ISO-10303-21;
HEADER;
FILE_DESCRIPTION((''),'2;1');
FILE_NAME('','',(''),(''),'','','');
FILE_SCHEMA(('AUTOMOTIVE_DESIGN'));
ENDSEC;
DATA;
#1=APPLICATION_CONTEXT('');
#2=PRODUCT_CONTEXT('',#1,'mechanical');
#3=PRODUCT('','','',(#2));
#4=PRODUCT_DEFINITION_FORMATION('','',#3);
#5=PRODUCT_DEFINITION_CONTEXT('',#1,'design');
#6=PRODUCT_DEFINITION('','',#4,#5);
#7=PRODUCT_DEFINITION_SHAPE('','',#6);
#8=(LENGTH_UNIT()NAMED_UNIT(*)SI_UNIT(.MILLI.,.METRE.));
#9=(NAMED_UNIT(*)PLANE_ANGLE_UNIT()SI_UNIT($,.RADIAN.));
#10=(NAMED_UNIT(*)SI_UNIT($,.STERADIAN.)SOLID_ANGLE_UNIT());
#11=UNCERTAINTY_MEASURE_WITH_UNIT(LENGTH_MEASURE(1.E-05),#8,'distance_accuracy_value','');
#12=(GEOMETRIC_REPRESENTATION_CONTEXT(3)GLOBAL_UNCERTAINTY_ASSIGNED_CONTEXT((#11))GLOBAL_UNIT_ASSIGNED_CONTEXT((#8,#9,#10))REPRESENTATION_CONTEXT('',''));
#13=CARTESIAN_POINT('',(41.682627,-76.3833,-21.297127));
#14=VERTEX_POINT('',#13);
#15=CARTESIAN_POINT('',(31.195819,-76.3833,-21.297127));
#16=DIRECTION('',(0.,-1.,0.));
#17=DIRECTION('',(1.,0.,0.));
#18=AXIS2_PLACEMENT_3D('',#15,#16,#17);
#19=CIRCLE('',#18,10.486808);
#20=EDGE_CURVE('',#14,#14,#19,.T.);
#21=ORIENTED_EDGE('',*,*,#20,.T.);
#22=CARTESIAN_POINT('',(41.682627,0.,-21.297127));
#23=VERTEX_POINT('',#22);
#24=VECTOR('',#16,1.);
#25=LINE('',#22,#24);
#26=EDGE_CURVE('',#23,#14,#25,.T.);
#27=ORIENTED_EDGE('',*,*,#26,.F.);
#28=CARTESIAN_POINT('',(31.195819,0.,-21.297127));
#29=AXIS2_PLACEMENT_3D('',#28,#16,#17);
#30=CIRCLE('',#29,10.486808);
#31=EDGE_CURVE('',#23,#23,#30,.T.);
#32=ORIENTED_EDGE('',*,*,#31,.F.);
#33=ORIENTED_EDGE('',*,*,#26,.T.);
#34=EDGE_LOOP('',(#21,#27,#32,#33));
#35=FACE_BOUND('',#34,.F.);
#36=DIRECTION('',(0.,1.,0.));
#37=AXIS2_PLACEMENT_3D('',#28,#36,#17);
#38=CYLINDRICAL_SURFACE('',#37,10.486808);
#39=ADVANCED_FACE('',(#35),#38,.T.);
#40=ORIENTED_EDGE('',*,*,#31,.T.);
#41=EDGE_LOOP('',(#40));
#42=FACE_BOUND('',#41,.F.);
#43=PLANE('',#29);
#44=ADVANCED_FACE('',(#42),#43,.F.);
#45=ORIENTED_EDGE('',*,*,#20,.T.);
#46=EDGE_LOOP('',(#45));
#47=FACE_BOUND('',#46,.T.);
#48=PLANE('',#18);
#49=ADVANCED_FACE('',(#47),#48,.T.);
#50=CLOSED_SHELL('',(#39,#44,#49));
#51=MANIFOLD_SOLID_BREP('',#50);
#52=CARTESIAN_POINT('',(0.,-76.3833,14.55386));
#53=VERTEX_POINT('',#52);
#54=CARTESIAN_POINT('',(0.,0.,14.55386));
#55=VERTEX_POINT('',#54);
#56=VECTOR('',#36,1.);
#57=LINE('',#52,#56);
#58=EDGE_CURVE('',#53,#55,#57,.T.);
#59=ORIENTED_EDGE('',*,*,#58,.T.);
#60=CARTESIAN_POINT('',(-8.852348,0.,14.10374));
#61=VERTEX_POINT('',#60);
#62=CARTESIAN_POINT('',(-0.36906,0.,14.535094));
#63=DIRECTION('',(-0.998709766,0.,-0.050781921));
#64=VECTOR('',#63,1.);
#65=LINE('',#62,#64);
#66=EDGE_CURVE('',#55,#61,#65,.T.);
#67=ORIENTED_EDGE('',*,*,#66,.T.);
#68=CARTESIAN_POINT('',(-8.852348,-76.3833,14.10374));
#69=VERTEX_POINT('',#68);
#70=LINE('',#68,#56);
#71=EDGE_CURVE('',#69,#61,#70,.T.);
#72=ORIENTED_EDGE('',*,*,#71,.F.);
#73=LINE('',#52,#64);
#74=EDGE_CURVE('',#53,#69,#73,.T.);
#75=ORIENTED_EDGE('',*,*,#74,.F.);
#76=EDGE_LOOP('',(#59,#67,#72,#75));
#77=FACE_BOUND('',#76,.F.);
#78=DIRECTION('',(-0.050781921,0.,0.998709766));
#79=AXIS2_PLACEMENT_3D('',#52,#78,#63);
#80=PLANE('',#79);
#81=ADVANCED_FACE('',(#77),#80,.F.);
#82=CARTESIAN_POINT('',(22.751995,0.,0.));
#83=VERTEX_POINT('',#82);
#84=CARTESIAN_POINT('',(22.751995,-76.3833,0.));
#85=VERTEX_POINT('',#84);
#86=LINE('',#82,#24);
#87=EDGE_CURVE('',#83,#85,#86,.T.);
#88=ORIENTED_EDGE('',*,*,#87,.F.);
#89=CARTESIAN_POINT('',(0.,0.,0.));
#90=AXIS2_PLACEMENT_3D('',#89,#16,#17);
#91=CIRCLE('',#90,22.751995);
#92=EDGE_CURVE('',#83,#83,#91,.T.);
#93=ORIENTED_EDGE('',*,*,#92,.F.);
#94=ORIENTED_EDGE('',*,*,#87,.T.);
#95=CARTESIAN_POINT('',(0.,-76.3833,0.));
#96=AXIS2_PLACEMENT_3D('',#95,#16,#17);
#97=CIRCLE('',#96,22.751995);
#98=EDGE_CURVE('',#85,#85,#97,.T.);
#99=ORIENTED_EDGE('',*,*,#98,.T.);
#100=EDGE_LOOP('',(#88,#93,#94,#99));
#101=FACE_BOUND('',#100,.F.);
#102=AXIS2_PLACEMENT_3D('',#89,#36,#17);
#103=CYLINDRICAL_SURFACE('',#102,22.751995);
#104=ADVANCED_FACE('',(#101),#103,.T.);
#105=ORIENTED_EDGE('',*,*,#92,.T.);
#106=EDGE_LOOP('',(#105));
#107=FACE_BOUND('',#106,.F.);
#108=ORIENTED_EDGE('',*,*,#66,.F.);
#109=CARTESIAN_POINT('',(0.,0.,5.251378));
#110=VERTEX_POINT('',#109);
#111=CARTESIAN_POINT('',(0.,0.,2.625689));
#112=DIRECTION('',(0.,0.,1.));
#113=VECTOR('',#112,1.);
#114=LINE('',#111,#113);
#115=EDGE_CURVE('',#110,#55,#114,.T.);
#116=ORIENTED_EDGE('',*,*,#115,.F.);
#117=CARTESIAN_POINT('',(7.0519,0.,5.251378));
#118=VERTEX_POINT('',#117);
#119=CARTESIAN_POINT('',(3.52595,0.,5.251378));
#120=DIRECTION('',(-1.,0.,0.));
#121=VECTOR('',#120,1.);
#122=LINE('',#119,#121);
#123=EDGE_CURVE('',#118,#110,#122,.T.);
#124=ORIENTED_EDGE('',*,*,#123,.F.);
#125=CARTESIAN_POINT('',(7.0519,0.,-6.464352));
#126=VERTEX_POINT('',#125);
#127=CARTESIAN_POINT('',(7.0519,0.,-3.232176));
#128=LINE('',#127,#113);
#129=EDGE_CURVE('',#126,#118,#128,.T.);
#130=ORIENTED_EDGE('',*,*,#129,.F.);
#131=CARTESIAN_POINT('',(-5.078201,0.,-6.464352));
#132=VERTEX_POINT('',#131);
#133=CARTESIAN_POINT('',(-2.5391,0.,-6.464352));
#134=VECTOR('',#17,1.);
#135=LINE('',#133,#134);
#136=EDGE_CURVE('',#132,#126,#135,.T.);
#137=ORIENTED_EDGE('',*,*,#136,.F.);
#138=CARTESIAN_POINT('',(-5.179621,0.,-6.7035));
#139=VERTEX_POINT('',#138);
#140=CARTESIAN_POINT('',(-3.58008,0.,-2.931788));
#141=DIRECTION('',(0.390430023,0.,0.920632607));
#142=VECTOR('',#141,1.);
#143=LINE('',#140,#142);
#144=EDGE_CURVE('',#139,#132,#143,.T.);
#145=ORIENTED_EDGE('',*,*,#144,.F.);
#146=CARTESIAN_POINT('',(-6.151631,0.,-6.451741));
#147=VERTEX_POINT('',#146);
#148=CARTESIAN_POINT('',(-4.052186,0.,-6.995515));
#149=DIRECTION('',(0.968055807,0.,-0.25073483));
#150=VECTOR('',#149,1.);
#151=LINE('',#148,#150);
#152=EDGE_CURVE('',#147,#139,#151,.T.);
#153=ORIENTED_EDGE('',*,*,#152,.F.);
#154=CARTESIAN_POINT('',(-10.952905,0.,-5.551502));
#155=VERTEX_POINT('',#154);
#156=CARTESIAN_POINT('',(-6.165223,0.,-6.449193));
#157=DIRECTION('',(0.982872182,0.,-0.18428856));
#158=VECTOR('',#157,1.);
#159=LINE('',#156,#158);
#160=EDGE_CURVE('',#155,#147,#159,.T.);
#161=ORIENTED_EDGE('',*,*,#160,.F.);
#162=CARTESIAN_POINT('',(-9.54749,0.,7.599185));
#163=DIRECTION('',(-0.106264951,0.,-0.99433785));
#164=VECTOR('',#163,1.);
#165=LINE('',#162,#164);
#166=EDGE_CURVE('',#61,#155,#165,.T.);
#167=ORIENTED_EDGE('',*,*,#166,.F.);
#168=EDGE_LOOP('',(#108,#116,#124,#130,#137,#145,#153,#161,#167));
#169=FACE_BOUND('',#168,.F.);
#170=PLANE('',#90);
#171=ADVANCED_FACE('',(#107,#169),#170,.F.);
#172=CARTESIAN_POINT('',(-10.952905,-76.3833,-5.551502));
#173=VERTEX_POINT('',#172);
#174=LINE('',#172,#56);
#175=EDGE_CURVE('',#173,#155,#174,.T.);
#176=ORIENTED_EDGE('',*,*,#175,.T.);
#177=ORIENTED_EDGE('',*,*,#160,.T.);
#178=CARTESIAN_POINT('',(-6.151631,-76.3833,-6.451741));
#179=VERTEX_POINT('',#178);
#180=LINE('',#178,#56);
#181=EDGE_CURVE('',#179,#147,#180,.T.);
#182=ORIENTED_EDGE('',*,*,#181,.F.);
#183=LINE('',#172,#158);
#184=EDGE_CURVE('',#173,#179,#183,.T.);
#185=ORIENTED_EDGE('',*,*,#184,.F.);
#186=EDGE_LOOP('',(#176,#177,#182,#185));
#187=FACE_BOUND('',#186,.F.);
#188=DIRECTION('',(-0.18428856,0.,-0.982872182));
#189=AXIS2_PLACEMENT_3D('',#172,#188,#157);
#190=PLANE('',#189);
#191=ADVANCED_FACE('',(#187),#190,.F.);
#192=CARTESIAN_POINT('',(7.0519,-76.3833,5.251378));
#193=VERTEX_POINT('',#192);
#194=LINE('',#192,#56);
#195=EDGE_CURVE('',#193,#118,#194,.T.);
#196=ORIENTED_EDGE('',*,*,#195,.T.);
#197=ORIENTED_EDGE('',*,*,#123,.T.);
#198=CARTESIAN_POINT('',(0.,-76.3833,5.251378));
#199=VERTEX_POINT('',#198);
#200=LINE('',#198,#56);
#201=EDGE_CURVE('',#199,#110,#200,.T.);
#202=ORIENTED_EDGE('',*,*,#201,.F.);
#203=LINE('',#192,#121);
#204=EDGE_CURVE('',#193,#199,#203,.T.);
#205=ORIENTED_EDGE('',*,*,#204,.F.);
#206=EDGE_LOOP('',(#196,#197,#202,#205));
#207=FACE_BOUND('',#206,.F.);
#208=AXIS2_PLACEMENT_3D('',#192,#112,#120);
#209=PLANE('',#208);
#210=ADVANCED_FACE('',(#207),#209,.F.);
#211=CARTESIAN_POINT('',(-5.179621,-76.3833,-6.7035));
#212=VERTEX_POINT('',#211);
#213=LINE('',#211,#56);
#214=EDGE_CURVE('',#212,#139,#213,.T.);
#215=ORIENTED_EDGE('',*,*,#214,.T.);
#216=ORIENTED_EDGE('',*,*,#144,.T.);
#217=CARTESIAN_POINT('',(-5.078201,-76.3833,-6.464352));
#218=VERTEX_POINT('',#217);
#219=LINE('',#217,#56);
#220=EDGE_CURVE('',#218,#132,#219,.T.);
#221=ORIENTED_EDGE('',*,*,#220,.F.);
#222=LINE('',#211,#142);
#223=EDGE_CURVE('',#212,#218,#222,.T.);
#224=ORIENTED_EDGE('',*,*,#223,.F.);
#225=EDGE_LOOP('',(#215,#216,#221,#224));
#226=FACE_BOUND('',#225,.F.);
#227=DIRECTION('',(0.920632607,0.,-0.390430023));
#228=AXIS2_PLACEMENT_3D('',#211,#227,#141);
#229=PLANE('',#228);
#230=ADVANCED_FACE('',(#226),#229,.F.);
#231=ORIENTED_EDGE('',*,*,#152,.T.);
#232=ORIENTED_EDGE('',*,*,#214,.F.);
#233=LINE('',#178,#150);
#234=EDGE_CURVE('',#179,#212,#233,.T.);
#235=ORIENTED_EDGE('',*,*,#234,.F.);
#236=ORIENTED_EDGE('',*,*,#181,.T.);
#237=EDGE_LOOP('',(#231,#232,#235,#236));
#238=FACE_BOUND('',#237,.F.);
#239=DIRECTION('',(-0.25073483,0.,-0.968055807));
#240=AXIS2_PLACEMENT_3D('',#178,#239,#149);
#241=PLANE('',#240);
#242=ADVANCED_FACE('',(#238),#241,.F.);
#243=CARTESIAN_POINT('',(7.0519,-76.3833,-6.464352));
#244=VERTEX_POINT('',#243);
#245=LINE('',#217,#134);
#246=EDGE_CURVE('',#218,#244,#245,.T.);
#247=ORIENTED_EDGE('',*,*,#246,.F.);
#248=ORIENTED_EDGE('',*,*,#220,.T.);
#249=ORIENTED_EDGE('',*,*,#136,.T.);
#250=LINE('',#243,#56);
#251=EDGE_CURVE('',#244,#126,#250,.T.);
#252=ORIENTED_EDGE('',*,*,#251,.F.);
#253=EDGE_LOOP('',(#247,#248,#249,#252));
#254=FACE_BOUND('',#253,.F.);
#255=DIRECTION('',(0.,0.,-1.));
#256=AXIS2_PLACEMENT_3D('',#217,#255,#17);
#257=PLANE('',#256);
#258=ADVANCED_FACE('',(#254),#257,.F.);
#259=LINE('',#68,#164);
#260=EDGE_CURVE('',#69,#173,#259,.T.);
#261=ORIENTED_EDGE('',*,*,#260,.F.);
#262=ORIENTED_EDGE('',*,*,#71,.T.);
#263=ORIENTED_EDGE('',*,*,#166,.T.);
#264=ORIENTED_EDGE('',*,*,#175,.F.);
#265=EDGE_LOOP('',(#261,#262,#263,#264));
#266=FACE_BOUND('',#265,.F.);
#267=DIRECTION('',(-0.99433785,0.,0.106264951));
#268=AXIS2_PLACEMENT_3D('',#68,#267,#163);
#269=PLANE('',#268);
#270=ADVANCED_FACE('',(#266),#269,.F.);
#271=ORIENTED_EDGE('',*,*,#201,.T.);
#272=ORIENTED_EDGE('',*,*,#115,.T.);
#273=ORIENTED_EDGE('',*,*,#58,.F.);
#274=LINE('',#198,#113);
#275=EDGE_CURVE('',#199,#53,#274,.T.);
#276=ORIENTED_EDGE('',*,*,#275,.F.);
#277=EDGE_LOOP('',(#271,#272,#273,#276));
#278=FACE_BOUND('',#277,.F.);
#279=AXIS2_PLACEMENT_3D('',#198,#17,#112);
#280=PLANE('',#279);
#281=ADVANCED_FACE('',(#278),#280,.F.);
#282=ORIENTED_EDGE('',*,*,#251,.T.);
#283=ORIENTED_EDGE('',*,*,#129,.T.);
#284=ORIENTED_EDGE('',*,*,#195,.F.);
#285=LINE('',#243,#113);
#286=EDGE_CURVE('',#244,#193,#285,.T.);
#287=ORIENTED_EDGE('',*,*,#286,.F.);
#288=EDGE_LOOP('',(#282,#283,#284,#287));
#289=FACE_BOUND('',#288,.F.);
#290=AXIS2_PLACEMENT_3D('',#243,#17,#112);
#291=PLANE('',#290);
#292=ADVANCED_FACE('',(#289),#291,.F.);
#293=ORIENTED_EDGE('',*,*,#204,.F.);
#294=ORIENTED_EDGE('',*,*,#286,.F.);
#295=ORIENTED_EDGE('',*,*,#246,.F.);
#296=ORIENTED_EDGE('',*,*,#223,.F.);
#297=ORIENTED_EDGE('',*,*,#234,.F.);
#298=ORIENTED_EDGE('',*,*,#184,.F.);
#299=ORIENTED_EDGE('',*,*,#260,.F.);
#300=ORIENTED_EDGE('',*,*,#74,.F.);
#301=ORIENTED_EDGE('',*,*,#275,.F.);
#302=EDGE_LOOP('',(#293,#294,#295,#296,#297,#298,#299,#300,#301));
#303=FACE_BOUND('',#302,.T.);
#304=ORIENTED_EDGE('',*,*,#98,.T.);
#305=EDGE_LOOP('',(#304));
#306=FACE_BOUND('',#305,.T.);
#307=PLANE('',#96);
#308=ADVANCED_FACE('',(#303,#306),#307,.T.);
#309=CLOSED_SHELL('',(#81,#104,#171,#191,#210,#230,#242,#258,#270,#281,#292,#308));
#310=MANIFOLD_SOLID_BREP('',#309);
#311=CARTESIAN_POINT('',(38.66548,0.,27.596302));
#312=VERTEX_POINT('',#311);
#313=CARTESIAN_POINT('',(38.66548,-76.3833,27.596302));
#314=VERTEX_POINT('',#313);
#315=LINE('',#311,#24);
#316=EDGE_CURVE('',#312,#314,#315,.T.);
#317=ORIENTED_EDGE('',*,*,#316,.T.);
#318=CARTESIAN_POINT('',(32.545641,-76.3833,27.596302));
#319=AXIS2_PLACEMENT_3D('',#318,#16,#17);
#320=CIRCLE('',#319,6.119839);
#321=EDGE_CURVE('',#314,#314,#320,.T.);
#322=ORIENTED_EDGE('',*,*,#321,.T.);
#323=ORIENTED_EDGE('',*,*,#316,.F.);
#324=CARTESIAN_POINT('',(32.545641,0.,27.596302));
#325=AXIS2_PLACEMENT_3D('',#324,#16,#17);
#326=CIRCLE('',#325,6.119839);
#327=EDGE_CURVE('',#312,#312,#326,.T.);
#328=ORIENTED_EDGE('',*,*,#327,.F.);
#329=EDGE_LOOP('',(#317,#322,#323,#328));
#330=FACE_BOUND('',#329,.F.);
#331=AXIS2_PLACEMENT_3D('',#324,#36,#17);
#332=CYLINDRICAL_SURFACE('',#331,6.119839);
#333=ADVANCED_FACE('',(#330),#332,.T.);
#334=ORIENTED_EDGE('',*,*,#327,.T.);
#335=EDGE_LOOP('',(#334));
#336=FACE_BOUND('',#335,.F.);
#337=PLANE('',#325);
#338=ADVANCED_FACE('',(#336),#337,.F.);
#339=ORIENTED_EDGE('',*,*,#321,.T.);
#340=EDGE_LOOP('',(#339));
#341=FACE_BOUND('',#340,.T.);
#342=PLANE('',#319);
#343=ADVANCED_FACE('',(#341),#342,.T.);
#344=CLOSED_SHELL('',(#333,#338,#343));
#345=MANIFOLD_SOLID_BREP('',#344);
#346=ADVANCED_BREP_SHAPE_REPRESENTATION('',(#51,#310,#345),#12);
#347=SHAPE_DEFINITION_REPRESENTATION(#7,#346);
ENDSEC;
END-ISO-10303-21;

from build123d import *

# Parameters (mm, degrees)
F0_R     = 6.119839
F0_R_2   = 22.751995
F0_R_3   = 10.486808
F1_DEPTH = 76.3833
F3_DEPTH = 76.3843


with BuildPart() as f1:
    # F0 (on Front) → F1 (new body)
    with BuildSketch(Plane.XZ):
        with Locations((32.545641, 27.596302)):
            Circle(F0_R)
        Circle(F0_R_2)
        with Locations((31.195819, -21.297127)):
            Circle(F0_R_3)
    extrude(amount=F1_DEPTH)

    # F2 (on face) → F3 (cut, through all)
    with BuildSketch(Plane.XZ.offset(76.3833)):
        Polygon((-5.179621, -6.7035), (-5.078201, -6.464352), (7.0519, -6.464352), (7.0519, 5.251378), (0, 5.251378), (0, 14.55386), (-8.852348, 14.10374), (-10.952905, -5.551502), (-6.151631, -6.451741), align=None)
    extrude(amount=-F3_DEPTH, mode=Mode.SUBTRACT)


solid = f1.part
